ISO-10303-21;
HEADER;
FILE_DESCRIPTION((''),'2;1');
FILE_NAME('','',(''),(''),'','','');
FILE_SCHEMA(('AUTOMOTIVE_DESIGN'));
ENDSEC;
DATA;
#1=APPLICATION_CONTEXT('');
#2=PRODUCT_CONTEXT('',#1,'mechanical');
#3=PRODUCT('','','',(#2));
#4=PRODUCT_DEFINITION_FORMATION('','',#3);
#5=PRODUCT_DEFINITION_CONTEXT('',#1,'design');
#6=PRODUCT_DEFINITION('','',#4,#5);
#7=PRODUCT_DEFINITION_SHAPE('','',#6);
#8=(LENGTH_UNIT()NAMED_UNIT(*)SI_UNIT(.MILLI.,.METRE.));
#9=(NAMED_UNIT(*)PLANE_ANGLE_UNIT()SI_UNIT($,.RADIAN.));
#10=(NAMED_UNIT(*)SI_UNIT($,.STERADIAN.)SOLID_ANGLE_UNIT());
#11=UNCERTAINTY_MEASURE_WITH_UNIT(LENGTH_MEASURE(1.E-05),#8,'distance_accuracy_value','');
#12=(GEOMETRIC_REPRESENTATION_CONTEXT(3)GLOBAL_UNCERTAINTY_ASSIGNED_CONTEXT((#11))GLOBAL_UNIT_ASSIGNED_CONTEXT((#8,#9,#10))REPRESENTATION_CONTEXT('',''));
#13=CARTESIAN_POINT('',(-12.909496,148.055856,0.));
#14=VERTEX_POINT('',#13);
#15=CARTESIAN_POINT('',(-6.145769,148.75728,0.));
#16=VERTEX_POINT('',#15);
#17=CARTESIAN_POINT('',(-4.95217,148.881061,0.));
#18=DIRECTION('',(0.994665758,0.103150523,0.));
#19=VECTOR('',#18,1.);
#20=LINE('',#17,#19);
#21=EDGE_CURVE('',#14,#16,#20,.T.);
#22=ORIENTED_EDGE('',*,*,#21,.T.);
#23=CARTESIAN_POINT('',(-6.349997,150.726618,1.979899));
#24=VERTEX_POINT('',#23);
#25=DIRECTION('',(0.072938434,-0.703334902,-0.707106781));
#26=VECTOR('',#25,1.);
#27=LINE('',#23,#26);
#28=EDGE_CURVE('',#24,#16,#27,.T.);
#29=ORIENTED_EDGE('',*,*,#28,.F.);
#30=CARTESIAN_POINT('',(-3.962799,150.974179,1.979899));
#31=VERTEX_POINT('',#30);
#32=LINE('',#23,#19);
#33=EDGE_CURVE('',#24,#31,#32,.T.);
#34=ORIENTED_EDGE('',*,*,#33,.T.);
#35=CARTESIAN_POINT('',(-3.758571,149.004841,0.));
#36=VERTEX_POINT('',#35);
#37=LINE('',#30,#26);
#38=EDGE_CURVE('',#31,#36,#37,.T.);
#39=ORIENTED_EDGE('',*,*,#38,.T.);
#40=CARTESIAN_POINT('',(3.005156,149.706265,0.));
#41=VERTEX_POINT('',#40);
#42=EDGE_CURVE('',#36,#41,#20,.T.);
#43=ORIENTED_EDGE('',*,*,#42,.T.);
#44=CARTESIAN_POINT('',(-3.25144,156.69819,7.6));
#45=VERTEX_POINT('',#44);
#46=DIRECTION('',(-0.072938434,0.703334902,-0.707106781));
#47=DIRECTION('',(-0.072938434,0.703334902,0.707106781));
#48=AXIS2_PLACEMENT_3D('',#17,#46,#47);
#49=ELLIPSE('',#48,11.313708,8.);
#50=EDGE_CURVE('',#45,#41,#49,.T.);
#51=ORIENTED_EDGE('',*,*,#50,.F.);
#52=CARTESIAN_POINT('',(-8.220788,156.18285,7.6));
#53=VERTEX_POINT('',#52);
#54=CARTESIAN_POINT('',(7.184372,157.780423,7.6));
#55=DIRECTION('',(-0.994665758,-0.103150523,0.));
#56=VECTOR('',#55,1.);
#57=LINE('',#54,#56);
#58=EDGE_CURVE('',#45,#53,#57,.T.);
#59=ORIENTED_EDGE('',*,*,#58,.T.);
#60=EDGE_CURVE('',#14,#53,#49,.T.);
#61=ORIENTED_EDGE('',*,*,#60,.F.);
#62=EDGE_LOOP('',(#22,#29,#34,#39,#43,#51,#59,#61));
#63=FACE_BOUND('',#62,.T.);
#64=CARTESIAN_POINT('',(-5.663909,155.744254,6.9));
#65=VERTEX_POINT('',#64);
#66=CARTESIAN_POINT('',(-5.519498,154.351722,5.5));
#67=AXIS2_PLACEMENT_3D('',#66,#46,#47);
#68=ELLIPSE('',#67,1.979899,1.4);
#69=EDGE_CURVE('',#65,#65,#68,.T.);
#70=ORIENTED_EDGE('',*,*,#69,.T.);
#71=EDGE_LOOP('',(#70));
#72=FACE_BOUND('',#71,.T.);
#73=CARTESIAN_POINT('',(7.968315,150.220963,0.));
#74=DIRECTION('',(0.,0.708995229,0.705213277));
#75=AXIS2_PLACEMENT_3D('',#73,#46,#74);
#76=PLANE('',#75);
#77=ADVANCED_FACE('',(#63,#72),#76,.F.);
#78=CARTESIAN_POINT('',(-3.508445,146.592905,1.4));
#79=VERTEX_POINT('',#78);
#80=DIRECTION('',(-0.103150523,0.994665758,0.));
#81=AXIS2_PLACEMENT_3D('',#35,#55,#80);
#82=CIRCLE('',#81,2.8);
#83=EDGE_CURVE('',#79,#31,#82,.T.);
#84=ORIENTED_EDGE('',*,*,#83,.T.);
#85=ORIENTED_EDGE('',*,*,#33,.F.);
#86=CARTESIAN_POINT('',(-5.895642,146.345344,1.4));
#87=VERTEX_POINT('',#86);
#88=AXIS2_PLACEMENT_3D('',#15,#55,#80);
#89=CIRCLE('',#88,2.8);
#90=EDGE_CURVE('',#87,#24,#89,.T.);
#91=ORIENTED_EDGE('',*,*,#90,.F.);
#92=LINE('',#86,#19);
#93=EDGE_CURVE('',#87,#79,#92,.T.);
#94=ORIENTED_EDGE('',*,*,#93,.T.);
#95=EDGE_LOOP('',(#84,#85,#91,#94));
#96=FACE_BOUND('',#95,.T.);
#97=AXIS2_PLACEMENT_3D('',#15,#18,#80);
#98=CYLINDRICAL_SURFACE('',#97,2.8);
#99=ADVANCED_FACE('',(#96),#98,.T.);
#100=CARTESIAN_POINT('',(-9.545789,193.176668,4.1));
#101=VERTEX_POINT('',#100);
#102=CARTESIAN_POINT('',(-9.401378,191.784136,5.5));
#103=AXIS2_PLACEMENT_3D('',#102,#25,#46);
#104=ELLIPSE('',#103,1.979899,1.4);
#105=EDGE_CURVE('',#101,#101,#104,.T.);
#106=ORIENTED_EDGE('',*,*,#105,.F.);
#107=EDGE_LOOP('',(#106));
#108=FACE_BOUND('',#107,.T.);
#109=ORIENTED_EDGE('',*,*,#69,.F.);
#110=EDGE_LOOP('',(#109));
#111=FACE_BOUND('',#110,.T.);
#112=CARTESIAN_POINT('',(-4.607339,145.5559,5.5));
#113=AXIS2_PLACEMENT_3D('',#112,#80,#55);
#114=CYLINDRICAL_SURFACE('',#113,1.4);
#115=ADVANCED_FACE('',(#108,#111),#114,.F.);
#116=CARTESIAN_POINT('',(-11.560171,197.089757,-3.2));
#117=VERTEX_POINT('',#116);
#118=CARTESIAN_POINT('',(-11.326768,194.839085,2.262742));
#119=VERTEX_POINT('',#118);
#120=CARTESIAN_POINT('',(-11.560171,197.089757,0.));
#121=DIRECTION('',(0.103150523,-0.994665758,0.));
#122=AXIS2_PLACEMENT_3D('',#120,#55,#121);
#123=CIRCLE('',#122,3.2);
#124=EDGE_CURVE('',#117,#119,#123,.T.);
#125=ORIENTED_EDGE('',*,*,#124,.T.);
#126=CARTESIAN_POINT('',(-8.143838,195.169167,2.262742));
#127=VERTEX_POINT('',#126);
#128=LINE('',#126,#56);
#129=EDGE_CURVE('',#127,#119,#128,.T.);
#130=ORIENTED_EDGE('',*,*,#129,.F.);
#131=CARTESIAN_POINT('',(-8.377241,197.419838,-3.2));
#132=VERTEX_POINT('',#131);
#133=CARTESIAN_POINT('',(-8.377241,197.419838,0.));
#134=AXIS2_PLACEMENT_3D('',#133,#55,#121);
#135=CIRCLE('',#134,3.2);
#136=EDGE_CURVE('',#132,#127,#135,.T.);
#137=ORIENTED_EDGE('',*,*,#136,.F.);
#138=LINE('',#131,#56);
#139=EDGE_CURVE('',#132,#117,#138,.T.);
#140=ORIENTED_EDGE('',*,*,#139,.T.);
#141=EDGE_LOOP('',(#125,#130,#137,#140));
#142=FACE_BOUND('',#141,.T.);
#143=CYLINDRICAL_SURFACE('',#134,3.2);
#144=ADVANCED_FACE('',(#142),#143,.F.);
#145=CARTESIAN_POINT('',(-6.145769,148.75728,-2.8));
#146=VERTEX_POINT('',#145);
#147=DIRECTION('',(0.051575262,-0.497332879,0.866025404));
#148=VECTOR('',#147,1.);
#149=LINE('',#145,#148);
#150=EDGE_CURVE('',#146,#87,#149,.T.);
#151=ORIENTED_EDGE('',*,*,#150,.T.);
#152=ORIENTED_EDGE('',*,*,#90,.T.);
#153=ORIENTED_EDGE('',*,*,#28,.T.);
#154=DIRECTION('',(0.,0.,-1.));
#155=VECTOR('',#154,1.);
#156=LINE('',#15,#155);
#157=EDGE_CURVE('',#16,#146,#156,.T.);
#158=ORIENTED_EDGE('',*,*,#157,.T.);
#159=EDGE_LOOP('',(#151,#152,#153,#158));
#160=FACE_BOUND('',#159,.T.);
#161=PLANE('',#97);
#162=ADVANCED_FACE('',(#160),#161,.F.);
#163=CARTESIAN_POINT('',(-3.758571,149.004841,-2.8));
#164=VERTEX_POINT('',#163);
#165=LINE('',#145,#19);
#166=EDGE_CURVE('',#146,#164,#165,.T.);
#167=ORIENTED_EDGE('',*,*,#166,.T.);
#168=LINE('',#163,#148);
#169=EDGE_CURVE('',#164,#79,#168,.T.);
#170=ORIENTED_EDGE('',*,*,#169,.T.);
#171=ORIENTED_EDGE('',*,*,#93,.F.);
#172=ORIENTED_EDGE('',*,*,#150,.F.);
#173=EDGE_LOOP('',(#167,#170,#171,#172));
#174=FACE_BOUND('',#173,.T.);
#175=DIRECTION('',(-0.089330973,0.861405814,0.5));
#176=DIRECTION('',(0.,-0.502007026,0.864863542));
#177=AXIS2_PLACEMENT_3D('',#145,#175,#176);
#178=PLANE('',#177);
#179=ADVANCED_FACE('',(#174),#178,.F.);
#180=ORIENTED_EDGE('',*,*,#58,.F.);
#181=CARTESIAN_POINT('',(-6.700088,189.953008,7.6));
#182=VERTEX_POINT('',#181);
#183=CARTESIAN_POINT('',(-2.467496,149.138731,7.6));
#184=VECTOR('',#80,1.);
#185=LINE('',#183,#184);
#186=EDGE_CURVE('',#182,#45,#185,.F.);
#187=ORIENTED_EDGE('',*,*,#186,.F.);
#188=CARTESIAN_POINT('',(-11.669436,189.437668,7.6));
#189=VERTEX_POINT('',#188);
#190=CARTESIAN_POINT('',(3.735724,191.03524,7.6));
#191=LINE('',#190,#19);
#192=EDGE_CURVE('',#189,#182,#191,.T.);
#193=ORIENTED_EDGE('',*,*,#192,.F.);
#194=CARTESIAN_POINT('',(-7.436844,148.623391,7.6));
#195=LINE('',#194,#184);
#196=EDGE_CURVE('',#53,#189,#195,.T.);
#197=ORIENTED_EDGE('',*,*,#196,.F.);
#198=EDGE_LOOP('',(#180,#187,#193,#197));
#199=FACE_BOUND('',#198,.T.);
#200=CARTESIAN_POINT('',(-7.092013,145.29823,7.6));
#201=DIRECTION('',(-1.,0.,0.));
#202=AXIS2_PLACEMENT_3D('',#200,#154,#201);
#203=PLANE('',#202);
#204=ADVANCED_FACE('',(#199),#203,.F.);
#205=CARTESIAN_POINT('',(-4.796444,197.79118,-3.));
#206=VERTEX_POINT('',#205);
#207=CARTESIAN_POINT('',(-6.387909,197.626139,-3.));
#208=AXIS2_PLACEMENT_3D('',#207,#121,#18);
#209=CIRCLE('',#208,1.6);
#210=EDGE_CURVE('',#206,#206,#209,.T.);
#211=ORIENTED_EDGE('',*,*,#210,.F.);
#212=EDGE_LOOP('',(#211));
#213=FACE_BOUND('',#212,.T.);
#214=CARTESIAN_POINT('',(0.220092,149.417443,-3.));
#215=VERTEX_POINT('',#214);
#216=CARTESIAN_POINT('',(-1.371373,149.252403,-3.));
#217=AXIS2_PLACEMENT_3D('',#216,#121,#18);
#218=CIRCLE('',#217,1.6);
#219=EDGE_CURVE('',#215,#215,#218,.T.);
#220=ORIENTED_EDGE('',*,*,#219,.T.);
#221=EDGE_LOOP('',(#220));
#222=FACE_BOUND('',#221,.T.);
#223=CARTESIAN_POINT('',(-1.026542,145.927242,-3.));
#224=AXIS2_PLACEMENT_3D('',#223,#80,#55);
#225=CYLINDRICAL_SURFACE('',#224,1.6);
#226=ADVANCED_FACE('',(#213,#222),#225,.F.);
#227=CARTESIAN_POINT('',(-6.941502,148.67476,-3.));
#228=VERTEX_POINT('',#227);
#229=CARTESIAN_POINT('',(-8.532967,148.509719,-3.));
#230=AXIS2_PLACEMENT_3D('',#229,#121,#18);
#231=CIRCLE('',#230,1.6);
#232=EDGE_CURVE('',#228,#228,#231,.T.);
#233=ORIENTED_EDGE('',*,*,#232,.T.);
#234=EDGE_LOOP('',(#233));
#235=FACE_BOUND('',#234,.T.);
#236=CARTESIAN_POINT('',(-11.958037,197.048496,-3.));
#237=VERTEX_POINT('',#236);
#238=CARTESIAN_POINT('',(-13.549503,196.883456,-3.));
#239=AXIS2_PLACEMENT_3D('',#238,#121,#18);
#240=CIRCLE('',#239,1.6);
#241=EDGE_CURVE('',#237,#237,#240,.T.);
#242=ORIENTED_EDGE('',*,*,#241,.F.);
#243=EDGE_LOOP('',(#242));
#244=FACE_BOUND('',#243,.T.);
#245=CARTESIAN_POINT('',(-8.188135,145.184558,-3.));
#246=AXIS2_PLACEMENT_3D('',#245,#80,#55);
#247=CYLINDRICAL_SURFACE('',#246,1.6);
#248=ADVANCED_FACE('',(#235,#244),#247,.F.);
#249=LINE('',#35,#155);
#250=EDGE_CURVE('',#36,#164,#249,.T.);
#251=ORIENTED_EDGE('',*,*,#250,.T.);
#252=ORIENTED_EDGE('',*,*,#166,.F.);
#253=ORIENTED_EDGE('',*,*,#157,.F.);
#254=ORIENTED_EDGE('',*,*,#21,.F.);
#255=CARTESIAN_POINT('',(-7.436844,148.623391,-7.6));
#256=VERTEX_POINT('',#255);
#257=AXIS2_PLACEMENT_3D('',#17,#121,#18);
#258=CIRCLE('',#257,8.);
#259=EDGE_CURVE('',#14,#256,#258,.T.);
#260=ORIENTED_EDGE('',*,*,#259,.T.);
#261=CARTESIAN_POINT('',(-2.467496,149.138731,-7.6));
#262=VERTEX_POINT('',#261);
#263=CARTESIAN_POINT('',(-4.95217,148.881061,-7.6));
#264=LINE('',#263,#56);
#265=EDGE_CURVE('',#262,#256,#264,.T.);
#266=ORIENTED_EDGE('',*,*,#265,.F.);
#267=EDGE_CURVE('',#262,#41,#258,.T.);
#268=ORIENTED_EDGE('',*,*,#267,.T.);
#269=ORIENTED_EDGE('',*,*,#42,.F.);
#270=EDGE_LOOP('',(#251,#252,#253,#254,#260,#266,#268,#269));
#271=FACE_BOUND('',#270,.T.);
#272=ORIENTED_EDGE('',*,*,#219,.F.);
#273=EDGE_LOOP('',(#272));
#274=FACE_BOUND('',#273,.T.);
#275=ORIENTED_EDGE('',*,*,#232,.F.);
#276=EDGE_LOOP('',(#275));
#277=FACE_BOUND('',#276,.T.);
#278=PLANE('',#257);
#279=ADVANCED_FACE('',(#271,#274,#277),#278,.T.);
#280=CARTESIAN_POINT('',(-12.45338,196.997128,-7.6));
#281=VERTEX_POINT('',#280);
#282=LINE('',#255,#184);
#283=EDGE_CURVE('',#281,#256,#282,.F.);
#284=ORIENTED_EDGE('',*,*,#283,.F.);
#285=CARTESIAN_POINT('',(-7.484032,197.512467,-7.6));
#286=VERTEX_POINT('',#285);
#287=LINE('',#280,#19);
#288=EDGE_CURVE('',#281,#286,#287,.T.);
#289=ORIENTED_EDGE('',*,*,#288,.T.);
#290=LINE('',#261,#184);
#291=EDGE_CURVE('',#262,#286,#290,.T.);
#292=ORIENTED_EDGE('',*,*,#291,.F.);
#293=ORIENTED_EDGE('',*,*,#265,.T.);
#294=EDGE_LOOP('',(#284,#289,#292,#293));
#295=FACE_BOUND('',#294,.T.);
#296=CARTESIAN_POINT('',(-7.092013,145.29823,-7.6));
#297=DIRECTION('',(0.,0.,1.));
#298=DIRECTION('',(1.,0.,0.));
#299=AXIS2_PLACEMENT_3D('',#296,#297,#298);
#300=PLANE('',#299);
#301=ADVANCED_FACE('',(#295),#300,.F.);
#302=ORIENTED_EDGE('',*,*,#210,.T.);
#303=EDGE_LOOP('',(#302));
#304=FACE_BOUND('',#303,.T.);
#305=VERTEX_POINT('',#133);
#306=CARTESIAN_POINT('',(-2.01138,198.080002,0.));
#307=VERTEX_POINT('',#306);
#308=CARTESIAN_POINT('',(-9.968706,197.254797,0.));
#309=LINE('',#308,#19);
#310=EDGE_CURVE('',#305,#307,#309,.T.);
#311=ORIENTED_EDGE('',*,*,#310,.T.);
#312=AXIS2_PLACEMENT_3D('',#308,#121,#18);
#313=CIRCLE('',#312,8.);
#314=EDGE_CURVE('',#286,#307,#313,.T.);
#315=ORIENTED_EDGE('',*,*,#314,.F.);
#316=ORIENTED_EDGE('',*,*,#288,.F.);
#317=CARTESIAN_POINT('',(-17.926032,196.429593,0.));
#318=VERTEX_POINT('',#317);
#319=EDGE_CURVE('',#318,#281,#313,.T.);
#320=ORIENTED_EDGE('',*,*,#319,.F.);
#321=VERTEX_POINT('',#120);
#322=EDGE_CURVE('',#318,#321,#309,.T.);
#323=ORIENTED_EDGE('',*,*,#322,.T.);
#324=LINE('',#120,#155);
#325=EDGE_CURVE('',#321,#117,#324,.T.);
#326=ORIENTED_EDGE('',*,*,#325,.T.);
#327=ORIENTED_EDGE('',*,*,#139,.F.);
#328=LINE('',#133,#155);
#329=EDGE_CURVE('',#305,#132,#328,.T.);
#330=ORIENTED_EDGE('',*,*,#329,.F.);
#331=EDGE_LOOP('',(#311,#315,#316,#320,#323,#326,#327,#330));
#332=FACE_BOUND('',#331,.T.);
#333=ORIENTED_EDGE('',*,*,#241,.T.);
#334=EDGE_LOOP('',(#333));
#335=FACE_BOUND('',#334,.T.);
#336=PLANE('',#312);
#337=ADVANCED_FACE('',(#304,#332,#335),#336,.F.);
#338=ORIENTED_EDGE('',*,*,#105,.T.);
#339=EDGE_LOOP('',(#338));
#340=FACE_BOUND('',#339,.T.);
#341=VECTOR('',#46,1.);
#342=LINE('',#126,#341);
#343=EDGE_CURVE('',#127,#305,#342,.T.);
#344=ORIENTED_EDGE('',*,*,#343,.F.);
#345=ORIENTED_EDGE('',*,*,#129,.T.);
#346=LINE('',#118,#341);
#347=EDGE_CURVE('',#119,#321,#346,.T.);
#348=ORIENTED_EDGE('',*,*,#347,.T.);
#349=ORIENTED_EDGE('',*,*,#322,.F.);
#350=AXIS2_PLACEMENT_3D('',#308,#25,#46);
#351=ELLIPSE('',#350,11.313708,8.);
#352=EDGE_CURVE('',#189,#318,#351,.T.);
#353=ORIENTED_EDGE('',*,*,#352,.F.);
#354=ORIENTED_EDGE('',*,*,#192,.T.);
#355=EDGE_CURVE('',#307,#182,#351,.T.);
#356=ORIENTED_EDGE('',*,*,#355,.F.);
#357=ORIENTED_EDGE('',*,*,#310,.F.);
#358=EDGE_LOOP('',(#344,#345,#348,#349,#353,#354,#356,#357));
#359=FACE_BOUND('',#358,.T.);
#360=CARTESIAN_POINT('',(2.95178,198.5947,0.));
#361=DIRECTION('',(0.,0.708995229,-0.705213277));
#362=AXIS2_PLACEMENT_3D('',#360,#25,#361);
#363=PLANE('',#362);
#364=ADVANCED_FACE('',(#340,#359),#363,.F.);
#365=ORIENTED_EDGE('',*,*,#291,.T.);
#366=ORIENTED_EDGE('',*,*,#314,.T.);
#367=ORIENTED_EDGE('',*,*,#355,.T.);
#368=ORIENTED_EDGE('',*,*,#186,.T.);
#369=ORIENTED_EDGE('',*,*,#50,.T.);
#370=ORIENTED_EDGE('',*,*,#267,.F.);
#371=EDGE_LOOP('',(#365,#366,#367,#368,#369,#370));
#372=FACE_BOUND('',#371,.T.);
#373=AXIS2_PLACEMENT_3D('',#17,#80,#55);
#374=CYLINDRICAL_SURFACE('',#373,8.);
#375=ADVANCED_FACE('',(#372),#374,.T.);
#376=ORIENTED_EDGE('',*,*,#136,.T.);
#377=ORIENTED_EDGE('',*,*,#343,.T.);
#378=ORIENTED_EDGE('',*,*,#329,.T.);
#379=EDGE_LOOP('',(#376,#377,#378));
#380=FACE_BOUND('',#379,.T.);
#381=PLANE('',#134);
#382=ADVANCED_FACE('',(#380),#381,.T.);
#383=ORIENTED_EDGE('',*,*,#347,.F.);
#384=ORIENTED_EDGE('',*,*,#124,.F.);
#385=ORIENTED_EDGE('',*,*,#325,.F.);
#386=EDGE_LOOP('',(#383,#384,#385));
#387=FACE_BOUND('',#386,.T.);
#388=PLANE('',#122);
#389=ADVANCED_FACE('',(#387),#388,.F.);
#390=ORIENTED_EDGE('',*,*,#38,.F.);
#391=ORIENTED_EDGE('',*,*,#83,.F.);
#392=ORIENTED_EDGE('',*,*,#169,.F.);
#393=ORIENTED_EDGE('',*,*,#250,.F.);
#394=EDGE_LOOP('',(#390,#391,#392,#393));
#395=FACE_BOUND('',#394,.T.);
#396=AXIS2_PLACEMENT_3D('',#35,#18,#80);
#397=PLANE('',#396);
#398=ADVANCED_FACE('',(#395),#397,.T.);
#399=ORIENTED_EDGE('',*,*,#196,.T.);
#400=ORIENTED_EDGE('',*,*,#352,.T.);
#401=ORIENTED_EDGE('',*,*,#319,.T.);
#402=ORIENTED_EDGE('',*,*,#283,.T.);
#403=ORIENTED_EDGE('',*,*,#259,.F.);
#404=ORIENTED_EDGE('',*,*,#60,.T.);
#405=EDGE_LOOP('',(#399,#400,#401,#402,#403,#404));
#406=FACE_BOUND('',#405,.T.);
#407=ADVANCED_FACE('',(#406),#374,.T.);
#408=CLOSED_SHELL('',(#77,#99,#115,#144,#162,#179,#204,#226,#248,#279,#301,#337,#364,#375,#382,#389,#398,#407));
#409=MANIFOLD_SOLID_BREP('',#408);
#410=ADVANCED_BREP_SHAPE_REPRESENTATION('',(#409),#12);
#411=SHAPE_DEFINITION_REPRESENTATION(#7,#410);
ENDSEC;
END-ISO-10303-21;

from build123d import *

# Parameters (mm, degrees)
SKETCH3_R               = 8
BOSS_EXTRUDE1_DEPTH     = 48.633157895
CUT_EXTRUDE1_DEPTH      = 13.989776257
CUT_EXTRUDE1_DEPTH_BACK = 13.989776257
BOSS_EXTRUDE2_DEPTH     = 1.2
CUT_EXTRUDE2_DEPTH      = 1.6
SKETCH8_R               = 1.4
SKETCH8_R_2             = 1.6
CUT_EXTRUDE3_DEPTH      = 2.64160469
CUT_EXTRUDE3_DEPTH_BACK = 52.97615102
CUT_EXTRUDE4_DEPTH      = 52.97615102


with BuildPart() as part:
    # Sketch3 → Boss-Extrude1 (new body)
    with BuildSketch(Plane(origin=(-20.344467381, 196.178792599, 0), x_dir=(-0.994665758, -0.103150523, 0), z_dir=(0.103150523, -0.994665758, 0))):
        with Locations((-10.431405186, 0)):
            Circle(SKETCH3_R)
    extrude(amount=BOSS_EXTRUDE1_DEPTH)

    # Sketch4 → Cut-Extrude1 (cut, two sides)
    with BuildSketch(Plane(origin=(10.375761543, 1.076004901, 0), x_dir=(0.103150523, -0.994665758, 0), z_dir=(-0.994665758, -0.103150523, 0))) as cut_extrude1_sk:
        Polygon((-197.230869842, 0), (-189.230869842, 8), (-197.230869842, 8), align=None)
        Polygon((-156.597711947, 8), (-148.597711947, 8), (-148.597711947, 0), align=None)
    extrude(amount=CUT_EXTRUDE1_DEPTH, mode=Mode.SUBTRACT)
    extrude(cut_extrude1_sk.sketch, amount=-CUT_EXTRUDE1_DEPTH_BACK, mode=Mode.SUBTRACT)

    # Sketch5 → Boss-Extrude2 (add, symmetric)
    with BuildSketch(Plane(origin=(10.375761543, 1.076004901, 0), x_dir=(0.103150523, -0.994665758, 0), z_dir=(-0.994665758, -0.103150523, 0))):
        with BuildLine():
            Line((-148.597711947, -2.8), (-146.172840817, 1.4))
            ThreePointArc((-146.172840817, 1.4), (-148.232238609, 2.776045612), (-150.577610935, 1.979898987))
            Line((-150.577610935, 1.979898987), (-148.597711947, 0))
            Line((-148.597711947, 0), (-148.597711947, -2.8))
        make_face()
    extrude(amount=BOSS_EXTRUDE2_DEPTH, both=True)

    # Sketch7 → Cut-Extrude2 (cut, symmetric)
    with BuildSketch(Plane(origin=(10.375761543, 1.076004901, 0), x_dir=(0.103150523, -0.994665758, 0), z_dir=(-0.994665758, -0.103150523, 0))):
        with BuildLine():
            Line((-194.968128142, 2.2627417), (-197.230869842, 0))
            Line((-197.230869842, 0), (-197.230869842, -3.2))
            ThreePointArc((-197.230869842, -3.2), (-194.274455338, -1.224586984), (-194.968128142, 2.2627417))
        make_face()
    extrude(amount=CUT_EXTRUDE2_DEPTH, both=True, mode=Mode.SUBTRACT)

    # Sketch8 → Cut-Extrude3 (cut, two sides)
    with BuildSketch(Plane(origin=(-20.344467381, 196.178792599, 0), x_dir=(0.994665758, 0.103150523, 0), z_dir=(-0.103150523, 0.994665758, 0))) as cut_extrude3_sk:
        with Locations((10.431405186, -5.5)):
            Circle(SKETCH8_R)
        with Locations((6.831405186, 3)):
            Circle(SKETCH8_R_2)
        with Locations((14.031405186, 3)):
            Circle(SKETCH8_R_2)
    extrude(amount=CUT_EXTRUDE3_DEPTH, mode=Mode.SUBTRACT)
    extrude(cut_extrude3_sk.sketch, amount=-CUT_EXTRUDE3_DEPTH_BACK, mode=Mode.SUBTRACT)

    # Sketch9 → Cut-Extrude4 (cut, through all)
    with BuildSketch(Plane(origin=(-20.344467381, 196.178792599, 0), x_dir=(0.994665758, 0.103150523, 0), z_dir=(-0.103150523, 0.994665758, 0))):
        with BuildLine():
            Line((7.933405986, 7.6), (12.929404385, 7.6))
            ThreePointArc((12.929404385, 7.6), (10.431405186, 8), (7.933405986, 7.6))
        make_face()
        with BuildLine():
            Line((7.933405986, -7.6), (12.929404385, -7.6))
            ThreePointArc((12.929404385, -7.6), (10.431405186, -8), (7.933405986, -7.6))
        make_face()
    extrude(amount=-CUT_EXTRUDE4_DEPTH, mode=Mode.SUBTRACT)


solid = part.part
